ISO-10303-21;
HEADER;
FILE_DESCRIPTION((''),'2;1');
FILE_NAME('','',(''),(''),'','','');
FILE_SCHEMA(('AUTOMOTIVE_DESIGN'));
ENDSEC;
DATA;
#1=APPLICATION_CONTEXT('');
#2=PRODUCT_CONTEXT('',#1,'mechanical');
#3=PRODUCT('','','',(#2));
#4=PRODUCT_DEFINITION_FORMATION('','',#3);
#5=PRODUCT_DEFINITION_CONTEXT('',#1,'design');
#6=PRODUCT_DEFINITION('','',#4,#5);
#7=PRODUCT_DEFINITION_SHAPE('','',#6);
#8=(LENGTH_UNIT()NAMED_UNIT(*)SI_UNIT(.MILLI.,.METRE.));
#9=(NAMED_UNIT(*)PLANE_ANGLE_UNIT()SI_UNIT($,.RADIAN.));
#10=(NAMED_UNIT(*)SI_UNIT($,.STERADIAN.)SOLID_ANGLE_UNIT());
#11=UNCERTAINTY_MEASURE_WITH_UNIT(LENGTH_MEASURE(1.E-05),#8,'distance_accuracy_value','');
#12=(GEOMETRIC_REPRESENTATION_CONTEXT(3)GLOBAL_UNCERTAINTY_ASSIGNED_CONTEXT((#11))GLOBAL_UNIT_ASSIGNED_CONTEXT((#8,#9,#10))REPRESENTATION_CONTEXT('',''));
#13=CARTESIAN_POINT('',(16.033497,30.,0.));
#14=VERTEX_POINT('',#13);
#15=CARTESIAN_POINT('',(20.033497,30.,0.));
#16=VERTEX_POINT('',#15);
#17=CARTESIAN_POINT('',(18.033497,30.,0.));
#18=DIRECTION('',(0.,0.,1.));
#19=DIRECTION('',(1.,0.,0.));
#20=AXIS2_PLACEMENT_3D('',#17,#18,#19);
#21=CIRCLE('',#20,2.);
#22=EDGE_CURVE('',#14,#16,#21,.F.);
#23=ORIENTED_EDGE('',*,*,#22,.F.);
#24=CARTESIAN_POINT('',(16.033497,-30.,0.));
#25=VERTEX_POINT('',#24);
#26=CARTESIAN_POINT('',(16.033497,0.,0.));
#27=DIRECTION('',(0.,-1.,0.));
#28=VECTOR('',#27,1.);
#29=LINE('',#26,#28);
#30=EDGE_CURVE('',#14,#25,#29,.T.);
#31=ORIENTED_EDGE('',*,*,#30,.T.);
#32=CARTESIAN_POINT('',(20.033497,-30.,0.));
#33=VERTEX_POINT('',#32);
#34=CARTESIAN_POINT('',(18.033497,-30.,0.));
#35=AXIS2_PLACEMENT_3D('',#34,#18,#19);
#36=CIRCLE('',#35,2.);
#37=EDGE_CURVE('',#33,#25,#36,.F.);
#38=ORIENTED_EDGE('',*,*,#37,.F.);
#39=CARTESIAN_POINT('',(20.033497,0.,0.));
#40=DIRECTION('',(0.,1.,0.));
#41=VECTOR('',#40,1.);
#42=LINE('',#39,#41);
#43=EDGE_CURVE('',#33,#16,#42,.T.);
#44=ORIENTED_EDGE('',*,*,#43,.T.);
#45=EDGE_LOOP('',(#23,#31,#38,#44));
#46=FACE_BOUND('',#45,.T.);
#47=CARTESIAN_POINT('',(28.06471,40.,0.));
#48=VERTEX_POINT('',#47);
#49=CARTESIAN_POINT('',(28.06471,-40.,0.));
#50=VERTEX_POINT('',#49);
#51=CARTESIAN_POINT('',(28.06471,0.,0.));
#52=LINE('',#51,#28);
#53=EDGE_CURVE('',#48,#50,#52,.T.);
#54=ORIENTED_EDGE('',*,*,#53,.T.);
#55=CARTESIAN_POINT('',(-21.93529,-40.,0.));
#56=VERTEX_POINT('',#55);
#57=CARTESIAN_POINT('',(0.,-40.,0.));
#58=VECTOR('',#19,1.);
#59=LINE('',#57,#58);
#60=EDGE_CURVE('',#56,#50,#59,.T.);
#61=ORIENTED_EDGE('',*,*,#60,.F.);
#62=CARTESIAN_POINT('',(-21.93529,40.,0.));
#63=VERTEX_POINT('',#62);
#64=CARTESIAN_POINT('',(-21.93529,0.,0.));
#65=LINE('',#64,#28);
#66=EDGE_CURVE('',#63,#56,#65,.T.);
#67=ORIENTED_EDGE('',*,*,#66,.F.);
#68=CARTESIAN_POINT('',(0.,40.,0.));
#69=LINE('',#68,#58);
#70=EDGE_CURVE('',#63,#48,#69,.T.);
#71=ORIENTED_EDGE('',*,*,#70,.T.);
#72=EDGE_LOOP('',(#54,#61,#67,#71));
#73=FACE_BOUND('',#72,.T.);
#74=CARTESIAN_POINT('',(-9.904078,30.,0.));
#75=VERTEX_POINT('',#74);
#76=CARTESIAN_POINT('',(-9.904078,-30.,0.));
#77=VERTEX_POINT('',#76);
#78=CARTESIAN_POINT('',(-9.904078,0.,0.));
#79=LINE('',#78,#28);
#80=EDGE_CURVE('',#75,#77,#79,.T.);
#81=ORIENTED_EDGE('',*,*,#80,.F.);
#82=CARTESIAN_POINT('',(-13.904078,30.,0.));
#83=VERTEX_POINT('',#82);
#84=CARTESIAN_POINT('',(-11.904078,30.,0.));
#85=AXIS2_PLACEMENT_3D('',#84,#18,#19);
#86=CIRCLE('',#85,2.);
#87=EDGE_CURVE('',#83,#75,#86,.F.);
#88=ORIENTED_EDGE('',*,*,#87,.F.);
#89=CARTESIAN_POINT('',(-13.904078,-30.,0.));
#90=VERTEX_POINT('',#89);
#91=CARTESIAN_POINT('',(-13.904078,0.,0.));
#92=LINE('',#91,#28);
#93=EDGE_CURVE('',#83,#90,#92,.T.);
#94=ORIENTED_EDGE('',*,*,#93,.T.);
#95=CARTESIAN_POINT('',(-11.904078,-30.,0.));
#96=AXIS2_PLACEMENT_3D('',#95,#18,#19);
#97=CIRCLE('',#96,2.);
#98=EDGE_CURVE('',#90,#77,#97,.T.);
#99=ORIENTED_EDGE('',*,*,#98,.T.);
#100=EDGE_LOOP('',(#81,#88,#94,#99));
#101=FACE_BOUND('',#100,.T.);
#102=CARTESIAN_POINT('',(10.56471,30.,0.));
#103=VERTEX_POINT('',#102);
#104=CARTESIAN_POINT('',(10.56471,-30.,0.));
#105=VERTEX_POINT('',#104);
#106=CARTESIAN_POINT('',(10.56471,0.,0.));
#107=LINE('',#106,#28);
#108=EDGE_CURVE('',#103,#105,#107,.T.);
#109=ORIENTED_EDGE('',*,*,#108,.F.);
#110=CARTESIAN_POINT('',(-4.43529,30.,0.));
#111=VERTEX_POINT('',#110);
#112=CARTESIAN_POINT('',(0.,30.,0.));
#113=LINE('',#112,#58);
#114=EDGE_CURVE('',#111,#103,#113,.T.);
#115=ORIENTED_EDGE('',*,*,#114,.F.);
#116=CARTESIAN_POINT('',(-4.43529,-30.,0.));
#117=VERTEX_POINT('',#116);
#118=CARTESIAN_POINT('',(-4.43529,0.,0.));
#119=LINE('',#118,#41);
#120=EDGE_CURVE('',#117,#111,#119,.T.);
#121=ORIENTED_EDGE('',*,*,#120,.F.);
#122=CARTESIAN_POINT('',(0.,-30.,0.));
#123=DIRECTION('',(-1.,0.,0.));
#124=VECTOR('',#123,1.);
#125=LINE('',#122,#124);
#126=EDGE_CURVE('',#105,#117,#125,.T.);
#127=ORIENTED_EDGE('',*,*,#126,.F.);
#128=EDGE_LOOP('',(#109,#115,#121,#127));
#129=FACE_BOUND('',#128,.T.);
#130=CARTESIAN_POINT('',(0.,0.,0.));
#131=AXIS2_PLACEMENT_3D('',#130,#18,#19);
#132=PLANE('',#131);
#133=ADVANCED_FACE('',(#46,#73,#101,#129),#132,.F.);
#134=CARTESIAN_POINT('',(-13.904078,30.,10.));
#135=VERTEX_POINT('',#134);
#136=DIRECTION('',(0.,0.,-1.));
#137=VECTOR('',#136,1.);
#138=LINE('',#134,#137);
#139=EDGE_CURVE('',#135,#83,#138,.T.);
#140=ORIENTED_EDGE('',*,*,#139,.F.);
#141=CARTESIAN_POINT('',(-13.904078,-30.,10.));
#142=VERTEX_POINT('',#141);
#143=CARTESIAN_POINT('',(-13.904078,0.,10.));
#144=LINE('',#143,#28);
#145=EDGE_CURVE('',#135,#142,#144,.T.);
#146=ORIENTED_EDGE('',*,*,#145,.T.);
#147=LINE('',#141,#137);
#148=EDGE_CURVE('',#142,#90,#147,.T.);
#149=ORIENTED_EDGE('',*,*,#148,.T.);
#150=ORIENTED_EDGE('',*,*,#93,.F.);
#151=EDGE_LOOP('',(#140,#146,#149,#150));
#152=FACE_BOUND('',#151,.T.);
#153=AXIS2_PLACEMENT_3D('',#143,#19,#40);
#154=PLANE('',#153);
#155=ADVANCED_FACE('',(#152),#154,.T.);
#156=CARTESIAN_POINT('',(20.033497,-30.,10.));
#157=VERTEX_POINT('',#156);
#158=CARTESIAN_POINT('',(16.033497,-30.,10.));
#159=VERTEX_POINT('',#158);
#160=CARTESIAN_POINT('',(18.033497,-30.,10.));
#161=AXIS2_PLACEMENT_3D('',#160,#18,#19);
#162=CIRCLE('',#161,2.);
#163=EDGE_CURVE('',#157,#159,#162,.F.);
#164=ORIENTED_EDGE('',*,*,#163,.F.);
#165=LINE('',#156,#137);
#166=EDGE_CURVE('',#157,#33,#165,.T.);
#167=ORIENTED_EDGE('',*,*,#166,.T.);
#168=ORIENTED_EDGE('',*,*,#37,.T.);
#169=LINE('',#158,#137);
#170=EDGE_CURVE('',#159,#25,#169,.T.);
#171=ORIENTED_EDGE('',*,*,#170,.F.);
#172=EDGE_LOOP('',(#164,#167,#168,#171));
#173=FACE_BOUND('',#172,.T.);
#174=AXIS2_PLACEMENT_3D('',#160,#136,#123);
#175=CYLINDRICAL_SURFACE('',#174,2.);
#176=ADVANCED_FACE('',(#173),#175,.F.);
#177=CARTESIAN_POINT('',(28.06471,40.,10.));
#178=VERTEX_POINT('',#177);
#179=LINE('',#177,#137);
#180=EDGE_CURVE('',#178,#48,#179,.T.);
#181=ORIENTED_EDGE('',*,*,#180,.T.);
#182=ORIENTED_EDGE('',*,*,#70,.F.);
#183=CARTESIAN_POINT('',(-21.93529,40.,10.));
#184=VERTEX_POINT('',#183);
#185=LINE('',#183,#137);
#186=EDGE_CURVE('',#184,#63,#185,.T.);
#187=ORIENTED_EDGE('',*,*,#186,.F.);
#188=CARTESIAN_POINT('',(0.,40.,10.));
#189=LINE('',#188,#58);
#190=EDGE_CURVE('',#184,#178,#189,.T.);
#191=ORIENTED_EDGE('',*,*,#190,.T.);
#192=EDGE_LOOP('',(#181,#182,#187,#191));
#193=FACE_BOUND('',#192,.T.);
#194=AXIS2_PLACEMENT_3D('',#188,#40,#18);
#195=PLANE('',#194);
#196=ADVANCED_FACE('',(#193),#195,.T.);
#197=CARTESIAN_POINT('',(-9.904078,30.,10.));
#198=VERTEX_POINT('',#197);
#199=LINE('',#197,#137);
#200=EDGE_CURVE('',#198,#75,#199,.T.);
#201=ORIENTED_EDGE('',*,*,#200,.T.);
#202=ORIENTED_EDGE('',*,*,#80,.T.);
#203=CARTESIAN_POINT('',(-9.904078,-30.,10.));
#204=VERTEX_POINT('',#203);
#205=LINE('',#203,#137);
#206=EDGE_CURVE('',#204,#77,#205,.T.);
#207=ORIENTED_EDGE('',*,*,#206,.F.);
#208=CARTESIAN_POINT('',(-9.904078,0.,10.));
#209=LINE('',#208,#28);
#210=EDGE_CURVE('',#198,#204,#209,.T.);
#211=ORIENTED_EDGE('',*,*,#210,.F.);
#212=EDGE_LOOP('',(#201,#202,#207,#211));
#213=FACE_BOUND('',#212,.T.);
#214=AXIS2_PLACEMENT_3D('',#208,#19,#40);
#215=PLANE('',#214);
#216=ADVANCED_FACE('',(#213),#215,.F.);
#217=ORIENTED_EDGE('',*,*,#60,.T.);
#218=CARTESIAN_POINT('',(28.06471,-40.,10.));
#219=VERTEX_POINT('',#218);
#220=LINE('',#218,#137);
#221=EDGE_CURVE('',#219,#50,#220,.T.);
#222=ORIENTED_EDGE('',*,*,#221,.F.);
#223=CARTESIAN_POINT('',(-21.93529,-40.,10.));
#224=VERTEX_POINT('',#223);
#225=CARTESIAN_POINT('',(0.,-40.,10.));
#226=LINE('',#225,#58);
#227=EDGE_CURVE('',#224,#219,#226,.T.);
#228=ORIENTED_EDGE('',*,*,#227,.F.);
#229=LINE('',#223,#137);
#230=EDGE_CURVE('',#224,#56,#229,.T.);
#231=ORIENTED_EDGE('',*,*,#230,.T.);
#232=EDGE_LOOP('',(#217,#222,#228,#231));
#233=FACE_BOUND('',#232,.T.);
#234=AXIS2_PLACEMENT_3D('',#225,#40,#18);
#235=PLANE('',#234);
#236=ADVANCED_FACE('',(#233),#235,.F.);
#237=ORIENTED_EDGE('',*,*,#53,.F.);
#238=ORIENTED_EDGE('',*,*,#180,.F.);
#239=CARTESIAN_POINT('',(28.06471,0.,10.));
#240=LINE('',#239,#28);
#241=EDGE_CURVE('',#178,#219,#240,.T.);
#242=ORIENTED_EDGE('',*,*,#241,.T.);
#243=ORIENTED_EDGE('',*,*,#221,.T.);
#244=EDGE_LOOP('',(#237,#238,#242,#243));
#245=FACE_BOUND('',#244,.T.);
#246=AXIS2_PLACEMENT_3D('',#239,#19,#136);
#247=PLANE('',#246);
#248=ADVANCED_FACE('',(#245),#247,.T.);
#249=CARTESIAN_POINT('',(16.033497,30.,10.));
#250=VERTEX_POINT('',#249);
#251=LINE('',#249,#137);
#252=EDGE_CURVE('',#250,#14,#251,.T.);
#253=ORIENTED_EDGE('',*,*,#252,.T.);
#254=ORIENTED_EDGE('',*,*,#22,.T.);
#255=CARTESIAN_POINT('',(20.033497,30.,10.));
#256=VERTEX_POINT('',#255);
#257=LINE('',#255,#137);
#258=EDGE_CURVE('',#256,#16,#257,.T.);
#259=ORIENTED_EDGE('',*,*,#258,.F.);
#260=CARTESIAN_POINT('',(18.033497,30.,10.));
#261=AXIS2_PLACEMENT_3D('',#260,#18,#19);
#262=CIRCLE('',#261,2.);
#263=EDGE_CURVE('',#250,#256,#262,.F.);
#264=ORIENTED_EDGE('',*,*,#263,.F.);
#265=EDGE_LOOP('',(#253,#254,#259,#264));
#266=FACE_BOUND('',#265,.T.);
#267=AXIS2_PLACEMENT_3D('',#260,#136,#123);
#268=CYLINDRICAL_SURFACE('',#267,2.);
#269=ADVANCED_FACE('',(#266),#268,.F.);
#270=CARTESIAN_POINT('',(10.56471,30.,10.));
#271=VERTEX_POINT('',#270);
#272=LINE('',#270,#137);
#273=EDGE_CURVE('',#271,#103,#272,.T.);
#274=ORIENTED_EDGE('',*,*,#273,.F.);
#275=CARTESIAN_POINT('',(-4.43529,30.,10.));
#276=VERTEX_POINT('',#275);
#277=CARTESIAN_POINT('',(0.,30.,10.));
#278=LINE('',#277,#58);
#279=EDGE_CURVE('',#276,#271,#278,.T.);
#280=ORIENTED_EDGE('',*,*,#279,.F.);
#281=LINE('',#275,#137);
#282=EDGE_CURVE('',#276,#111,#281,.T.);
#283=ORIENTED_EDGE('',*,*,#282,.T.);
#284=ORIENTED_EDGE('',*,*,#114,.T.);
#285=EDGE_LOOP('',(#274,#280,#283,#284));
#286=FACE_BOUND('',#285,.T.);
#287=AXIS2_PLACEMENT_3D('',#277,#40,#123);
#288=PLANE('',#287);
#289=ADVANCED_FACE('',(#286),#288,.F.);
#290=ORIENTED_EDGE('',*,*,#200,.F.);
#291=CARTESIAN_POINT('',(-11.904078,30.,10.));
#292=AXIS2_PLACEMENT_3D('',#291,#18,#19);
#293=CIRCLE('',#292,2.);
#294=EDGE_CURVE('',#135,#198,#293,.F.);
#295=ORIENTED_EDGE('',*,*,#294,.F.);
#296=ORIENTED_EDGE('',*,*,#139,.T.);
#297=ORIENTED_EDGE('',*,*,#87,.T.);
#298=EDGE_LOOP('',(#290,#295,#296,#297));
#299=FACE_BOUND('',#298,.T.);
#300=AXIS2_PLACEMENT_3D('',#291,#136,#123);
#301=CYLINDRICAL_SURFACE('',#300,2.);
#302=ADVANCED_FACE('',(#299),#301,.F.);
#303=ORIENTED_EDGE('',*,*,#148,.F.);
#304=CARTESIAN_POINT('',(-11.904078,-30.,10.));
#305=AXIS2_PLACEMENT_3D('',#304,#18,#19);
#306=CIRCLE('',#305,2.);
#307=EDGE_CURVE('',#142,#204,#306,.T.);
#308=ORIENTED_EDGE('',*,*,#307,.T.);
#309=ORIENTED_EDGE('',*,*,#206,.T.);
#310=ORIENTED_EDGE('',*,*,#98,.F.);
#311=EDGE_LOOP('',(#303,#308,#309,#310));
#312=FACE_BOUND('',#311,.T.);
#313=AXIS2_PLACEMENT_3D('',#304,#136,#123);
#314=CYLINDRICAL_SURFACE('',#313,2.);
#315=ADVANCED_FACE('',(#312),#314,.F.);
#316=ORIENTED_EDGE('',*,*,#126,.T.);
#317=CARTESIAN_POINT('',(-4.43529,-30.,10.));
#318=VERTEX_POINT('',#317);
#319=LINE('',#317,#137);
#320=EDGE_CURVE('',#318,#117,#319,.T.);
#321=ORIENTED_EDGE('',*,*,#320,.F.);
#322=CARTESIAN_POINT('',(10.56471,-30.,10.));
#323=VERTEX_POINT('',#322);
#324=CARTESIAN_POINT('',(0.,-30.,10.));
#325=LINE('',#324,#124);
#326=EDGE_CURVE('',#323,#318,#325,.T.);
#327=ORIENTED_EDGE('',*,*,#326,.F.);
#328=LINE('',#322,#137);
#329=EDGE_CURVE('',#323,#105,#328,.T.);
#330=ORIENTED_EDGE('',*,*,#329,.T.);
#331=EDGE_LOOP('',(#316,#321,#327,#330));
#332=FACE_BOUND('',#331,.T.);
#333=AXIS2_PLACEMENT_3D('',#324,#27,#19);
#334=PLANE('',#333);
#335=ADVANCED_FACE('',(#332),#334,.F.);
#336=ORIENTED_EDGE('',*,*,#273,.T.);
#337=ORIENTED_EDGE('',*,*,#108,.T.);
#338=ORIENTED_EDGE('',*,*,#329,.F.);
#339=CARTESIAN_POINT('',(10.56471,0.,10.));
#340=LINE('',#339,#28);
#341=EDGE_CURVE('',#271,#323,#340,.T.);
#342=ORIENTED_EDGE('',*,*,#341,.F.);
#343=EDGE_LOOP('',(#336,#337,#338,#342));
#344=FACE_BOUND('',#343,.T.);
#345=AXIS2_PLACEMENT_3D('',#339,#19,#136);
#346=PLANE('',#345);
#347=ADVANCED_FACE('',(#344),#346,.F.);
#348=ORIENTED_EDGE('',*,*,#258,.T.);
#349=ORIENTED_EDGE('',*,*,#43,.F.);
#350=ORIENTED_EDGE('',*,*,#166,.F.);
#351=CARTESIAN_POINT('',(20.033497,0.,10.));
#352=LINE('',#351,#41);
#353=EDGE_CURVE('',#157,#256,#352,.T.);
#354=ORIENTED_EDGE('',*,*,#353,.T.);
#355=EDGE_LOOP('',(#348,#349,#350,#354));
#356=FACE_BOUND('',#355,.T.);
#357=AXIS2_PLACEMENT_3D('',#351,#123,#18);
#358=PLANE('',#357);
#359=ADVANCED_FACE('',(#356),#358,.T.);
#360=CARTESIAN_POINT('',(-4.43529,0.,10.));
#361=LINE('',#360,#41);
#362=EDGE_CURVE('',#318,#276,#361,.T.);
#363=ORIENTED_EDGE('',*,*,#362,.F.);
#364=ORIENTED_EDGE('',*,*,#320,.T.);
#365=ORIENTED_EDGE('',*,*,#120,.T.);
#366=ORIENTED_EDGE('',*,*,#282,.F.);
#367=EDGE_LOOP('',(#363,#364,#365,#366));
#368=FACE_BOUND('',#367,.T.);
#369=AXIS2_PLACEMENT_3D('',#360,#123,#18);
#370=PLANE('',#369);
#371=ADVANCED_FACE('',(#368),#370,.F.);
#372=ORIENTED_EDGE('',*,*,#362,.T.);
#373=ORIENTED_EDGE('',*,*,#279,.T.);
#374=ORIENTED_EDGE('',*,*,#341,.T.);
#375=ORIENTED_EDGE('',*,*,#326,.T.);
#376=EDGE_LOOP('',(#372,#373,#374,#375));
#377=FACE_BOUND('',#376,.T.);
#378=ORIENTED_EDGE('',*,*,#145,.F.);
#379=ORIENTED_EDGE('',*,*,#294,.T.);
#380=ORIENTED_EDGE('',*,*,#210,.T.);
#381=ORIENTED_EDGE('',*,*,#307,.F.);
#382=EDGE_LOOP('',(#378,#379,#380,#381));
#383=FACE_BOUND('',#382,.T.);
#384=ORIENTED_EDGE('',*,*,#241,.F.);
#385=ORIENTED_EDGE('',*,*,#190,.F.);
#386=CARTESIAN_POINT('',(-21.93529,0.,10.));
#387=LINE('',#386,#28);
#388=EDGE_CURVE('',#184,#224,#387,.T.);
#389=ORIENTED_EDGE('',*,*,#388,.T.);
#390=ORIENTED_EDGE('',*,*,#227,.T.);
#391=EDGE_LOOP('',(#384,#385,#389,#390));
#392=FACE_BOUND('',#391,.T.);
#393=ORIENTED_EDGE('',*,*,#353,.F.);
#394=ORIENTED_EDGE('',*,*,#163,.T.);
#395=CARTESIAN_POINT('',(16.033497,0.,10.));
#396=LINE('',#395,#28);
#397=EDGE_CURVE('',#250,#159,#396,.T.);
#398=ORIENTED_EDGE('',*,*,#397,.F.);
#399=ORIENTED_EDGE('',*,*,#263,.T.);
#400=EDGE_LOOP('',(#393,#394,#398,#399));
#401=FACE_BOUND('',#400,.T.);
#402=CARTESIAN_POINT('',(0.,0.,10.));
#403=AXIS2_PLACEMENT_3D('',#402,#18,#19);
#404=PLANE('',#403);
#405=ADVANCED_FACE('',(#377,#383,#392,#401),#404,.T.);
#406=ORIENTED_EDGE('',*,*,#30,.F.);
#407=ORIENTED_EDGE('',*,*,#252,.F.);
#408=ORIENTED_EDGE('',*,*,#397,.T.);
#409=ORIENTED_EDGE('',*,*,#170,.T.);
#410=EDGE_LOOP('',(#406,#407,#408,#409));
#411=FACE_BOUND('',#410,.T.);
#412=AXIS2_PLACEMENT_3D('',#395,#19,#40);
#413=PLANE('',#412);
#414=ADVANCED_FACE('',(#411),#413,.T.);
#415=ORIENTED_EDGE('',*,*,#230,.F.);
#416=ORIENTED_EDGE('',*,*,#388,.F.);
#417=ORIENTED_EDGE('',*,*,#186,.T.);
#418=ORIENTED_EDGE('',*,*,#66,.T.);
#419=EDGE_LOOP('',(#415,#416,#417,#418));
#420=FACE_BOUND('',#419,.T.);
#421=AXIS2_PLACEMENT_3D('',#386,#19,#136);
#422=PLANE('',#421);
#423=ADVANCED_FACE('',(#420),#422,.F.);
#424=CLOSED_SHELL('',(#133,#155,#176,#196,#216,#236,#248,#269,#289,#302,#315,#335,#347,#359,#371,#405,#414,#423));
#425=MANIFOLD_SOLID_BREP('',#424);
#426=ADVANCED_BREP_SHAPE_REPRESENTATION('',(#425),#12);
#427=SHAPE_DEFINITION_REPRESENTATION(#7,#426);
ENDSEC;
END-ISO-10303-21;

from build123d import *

# Parameters (mm, degrees)
ESQUISSE1_W        = 50
ESQUISSE1_H        = 80
BOSS_EXTRU_1_DEPTH = 10


with BuildPart() as part:
    # Esquisse1 → Boss.-Extru.1 (new body)
    with BuildSketch(Plane.XY):
        with Locations((3.064709519, 0)):
            Rectangle(ESQUISSE1_W, ESQUISSE1_H)
        with BuildLine():
            Line((-13.904077664, -30), (-13.904077664, 30))
            ThreePointArc((-13.904077664, 30), (-11.904077664, 32), (-9.904077664, 30))
            Line((-9.904077664, 30), (-9.904077664, -30))
            ThreePointArc((-9.904077664, -30), (-11.904077664, -32), (-13.904077664, -30))
        make_face(mode=Mode.SUBTRACT)
        Polygon((-4.435290481, -30), (-4.435290481, 0), (-4.435290481, 30), (10.564709519, 30), (10.564709519, 0), (10.564709519, -30), align=None, mode=Mode.SUBTRACT)
        with BuildLine():
            Line((16.033496703, -30), (16.033496703, 30))
            ThreePointArc((16.033496703, 30), (18.033496703, 32), (20.033496703, 30))
            Line((20.033496703, 30), (20.033496703, -30))
            ThreePointArc((20.033496703, -30), (18.033496703, -32), (16.033496703, -30))
        make_face(mode=Mode.SUBTRACT)
    extrude(amount=BOSS_EXTRU_1_DEPTH)


solid = part.part
